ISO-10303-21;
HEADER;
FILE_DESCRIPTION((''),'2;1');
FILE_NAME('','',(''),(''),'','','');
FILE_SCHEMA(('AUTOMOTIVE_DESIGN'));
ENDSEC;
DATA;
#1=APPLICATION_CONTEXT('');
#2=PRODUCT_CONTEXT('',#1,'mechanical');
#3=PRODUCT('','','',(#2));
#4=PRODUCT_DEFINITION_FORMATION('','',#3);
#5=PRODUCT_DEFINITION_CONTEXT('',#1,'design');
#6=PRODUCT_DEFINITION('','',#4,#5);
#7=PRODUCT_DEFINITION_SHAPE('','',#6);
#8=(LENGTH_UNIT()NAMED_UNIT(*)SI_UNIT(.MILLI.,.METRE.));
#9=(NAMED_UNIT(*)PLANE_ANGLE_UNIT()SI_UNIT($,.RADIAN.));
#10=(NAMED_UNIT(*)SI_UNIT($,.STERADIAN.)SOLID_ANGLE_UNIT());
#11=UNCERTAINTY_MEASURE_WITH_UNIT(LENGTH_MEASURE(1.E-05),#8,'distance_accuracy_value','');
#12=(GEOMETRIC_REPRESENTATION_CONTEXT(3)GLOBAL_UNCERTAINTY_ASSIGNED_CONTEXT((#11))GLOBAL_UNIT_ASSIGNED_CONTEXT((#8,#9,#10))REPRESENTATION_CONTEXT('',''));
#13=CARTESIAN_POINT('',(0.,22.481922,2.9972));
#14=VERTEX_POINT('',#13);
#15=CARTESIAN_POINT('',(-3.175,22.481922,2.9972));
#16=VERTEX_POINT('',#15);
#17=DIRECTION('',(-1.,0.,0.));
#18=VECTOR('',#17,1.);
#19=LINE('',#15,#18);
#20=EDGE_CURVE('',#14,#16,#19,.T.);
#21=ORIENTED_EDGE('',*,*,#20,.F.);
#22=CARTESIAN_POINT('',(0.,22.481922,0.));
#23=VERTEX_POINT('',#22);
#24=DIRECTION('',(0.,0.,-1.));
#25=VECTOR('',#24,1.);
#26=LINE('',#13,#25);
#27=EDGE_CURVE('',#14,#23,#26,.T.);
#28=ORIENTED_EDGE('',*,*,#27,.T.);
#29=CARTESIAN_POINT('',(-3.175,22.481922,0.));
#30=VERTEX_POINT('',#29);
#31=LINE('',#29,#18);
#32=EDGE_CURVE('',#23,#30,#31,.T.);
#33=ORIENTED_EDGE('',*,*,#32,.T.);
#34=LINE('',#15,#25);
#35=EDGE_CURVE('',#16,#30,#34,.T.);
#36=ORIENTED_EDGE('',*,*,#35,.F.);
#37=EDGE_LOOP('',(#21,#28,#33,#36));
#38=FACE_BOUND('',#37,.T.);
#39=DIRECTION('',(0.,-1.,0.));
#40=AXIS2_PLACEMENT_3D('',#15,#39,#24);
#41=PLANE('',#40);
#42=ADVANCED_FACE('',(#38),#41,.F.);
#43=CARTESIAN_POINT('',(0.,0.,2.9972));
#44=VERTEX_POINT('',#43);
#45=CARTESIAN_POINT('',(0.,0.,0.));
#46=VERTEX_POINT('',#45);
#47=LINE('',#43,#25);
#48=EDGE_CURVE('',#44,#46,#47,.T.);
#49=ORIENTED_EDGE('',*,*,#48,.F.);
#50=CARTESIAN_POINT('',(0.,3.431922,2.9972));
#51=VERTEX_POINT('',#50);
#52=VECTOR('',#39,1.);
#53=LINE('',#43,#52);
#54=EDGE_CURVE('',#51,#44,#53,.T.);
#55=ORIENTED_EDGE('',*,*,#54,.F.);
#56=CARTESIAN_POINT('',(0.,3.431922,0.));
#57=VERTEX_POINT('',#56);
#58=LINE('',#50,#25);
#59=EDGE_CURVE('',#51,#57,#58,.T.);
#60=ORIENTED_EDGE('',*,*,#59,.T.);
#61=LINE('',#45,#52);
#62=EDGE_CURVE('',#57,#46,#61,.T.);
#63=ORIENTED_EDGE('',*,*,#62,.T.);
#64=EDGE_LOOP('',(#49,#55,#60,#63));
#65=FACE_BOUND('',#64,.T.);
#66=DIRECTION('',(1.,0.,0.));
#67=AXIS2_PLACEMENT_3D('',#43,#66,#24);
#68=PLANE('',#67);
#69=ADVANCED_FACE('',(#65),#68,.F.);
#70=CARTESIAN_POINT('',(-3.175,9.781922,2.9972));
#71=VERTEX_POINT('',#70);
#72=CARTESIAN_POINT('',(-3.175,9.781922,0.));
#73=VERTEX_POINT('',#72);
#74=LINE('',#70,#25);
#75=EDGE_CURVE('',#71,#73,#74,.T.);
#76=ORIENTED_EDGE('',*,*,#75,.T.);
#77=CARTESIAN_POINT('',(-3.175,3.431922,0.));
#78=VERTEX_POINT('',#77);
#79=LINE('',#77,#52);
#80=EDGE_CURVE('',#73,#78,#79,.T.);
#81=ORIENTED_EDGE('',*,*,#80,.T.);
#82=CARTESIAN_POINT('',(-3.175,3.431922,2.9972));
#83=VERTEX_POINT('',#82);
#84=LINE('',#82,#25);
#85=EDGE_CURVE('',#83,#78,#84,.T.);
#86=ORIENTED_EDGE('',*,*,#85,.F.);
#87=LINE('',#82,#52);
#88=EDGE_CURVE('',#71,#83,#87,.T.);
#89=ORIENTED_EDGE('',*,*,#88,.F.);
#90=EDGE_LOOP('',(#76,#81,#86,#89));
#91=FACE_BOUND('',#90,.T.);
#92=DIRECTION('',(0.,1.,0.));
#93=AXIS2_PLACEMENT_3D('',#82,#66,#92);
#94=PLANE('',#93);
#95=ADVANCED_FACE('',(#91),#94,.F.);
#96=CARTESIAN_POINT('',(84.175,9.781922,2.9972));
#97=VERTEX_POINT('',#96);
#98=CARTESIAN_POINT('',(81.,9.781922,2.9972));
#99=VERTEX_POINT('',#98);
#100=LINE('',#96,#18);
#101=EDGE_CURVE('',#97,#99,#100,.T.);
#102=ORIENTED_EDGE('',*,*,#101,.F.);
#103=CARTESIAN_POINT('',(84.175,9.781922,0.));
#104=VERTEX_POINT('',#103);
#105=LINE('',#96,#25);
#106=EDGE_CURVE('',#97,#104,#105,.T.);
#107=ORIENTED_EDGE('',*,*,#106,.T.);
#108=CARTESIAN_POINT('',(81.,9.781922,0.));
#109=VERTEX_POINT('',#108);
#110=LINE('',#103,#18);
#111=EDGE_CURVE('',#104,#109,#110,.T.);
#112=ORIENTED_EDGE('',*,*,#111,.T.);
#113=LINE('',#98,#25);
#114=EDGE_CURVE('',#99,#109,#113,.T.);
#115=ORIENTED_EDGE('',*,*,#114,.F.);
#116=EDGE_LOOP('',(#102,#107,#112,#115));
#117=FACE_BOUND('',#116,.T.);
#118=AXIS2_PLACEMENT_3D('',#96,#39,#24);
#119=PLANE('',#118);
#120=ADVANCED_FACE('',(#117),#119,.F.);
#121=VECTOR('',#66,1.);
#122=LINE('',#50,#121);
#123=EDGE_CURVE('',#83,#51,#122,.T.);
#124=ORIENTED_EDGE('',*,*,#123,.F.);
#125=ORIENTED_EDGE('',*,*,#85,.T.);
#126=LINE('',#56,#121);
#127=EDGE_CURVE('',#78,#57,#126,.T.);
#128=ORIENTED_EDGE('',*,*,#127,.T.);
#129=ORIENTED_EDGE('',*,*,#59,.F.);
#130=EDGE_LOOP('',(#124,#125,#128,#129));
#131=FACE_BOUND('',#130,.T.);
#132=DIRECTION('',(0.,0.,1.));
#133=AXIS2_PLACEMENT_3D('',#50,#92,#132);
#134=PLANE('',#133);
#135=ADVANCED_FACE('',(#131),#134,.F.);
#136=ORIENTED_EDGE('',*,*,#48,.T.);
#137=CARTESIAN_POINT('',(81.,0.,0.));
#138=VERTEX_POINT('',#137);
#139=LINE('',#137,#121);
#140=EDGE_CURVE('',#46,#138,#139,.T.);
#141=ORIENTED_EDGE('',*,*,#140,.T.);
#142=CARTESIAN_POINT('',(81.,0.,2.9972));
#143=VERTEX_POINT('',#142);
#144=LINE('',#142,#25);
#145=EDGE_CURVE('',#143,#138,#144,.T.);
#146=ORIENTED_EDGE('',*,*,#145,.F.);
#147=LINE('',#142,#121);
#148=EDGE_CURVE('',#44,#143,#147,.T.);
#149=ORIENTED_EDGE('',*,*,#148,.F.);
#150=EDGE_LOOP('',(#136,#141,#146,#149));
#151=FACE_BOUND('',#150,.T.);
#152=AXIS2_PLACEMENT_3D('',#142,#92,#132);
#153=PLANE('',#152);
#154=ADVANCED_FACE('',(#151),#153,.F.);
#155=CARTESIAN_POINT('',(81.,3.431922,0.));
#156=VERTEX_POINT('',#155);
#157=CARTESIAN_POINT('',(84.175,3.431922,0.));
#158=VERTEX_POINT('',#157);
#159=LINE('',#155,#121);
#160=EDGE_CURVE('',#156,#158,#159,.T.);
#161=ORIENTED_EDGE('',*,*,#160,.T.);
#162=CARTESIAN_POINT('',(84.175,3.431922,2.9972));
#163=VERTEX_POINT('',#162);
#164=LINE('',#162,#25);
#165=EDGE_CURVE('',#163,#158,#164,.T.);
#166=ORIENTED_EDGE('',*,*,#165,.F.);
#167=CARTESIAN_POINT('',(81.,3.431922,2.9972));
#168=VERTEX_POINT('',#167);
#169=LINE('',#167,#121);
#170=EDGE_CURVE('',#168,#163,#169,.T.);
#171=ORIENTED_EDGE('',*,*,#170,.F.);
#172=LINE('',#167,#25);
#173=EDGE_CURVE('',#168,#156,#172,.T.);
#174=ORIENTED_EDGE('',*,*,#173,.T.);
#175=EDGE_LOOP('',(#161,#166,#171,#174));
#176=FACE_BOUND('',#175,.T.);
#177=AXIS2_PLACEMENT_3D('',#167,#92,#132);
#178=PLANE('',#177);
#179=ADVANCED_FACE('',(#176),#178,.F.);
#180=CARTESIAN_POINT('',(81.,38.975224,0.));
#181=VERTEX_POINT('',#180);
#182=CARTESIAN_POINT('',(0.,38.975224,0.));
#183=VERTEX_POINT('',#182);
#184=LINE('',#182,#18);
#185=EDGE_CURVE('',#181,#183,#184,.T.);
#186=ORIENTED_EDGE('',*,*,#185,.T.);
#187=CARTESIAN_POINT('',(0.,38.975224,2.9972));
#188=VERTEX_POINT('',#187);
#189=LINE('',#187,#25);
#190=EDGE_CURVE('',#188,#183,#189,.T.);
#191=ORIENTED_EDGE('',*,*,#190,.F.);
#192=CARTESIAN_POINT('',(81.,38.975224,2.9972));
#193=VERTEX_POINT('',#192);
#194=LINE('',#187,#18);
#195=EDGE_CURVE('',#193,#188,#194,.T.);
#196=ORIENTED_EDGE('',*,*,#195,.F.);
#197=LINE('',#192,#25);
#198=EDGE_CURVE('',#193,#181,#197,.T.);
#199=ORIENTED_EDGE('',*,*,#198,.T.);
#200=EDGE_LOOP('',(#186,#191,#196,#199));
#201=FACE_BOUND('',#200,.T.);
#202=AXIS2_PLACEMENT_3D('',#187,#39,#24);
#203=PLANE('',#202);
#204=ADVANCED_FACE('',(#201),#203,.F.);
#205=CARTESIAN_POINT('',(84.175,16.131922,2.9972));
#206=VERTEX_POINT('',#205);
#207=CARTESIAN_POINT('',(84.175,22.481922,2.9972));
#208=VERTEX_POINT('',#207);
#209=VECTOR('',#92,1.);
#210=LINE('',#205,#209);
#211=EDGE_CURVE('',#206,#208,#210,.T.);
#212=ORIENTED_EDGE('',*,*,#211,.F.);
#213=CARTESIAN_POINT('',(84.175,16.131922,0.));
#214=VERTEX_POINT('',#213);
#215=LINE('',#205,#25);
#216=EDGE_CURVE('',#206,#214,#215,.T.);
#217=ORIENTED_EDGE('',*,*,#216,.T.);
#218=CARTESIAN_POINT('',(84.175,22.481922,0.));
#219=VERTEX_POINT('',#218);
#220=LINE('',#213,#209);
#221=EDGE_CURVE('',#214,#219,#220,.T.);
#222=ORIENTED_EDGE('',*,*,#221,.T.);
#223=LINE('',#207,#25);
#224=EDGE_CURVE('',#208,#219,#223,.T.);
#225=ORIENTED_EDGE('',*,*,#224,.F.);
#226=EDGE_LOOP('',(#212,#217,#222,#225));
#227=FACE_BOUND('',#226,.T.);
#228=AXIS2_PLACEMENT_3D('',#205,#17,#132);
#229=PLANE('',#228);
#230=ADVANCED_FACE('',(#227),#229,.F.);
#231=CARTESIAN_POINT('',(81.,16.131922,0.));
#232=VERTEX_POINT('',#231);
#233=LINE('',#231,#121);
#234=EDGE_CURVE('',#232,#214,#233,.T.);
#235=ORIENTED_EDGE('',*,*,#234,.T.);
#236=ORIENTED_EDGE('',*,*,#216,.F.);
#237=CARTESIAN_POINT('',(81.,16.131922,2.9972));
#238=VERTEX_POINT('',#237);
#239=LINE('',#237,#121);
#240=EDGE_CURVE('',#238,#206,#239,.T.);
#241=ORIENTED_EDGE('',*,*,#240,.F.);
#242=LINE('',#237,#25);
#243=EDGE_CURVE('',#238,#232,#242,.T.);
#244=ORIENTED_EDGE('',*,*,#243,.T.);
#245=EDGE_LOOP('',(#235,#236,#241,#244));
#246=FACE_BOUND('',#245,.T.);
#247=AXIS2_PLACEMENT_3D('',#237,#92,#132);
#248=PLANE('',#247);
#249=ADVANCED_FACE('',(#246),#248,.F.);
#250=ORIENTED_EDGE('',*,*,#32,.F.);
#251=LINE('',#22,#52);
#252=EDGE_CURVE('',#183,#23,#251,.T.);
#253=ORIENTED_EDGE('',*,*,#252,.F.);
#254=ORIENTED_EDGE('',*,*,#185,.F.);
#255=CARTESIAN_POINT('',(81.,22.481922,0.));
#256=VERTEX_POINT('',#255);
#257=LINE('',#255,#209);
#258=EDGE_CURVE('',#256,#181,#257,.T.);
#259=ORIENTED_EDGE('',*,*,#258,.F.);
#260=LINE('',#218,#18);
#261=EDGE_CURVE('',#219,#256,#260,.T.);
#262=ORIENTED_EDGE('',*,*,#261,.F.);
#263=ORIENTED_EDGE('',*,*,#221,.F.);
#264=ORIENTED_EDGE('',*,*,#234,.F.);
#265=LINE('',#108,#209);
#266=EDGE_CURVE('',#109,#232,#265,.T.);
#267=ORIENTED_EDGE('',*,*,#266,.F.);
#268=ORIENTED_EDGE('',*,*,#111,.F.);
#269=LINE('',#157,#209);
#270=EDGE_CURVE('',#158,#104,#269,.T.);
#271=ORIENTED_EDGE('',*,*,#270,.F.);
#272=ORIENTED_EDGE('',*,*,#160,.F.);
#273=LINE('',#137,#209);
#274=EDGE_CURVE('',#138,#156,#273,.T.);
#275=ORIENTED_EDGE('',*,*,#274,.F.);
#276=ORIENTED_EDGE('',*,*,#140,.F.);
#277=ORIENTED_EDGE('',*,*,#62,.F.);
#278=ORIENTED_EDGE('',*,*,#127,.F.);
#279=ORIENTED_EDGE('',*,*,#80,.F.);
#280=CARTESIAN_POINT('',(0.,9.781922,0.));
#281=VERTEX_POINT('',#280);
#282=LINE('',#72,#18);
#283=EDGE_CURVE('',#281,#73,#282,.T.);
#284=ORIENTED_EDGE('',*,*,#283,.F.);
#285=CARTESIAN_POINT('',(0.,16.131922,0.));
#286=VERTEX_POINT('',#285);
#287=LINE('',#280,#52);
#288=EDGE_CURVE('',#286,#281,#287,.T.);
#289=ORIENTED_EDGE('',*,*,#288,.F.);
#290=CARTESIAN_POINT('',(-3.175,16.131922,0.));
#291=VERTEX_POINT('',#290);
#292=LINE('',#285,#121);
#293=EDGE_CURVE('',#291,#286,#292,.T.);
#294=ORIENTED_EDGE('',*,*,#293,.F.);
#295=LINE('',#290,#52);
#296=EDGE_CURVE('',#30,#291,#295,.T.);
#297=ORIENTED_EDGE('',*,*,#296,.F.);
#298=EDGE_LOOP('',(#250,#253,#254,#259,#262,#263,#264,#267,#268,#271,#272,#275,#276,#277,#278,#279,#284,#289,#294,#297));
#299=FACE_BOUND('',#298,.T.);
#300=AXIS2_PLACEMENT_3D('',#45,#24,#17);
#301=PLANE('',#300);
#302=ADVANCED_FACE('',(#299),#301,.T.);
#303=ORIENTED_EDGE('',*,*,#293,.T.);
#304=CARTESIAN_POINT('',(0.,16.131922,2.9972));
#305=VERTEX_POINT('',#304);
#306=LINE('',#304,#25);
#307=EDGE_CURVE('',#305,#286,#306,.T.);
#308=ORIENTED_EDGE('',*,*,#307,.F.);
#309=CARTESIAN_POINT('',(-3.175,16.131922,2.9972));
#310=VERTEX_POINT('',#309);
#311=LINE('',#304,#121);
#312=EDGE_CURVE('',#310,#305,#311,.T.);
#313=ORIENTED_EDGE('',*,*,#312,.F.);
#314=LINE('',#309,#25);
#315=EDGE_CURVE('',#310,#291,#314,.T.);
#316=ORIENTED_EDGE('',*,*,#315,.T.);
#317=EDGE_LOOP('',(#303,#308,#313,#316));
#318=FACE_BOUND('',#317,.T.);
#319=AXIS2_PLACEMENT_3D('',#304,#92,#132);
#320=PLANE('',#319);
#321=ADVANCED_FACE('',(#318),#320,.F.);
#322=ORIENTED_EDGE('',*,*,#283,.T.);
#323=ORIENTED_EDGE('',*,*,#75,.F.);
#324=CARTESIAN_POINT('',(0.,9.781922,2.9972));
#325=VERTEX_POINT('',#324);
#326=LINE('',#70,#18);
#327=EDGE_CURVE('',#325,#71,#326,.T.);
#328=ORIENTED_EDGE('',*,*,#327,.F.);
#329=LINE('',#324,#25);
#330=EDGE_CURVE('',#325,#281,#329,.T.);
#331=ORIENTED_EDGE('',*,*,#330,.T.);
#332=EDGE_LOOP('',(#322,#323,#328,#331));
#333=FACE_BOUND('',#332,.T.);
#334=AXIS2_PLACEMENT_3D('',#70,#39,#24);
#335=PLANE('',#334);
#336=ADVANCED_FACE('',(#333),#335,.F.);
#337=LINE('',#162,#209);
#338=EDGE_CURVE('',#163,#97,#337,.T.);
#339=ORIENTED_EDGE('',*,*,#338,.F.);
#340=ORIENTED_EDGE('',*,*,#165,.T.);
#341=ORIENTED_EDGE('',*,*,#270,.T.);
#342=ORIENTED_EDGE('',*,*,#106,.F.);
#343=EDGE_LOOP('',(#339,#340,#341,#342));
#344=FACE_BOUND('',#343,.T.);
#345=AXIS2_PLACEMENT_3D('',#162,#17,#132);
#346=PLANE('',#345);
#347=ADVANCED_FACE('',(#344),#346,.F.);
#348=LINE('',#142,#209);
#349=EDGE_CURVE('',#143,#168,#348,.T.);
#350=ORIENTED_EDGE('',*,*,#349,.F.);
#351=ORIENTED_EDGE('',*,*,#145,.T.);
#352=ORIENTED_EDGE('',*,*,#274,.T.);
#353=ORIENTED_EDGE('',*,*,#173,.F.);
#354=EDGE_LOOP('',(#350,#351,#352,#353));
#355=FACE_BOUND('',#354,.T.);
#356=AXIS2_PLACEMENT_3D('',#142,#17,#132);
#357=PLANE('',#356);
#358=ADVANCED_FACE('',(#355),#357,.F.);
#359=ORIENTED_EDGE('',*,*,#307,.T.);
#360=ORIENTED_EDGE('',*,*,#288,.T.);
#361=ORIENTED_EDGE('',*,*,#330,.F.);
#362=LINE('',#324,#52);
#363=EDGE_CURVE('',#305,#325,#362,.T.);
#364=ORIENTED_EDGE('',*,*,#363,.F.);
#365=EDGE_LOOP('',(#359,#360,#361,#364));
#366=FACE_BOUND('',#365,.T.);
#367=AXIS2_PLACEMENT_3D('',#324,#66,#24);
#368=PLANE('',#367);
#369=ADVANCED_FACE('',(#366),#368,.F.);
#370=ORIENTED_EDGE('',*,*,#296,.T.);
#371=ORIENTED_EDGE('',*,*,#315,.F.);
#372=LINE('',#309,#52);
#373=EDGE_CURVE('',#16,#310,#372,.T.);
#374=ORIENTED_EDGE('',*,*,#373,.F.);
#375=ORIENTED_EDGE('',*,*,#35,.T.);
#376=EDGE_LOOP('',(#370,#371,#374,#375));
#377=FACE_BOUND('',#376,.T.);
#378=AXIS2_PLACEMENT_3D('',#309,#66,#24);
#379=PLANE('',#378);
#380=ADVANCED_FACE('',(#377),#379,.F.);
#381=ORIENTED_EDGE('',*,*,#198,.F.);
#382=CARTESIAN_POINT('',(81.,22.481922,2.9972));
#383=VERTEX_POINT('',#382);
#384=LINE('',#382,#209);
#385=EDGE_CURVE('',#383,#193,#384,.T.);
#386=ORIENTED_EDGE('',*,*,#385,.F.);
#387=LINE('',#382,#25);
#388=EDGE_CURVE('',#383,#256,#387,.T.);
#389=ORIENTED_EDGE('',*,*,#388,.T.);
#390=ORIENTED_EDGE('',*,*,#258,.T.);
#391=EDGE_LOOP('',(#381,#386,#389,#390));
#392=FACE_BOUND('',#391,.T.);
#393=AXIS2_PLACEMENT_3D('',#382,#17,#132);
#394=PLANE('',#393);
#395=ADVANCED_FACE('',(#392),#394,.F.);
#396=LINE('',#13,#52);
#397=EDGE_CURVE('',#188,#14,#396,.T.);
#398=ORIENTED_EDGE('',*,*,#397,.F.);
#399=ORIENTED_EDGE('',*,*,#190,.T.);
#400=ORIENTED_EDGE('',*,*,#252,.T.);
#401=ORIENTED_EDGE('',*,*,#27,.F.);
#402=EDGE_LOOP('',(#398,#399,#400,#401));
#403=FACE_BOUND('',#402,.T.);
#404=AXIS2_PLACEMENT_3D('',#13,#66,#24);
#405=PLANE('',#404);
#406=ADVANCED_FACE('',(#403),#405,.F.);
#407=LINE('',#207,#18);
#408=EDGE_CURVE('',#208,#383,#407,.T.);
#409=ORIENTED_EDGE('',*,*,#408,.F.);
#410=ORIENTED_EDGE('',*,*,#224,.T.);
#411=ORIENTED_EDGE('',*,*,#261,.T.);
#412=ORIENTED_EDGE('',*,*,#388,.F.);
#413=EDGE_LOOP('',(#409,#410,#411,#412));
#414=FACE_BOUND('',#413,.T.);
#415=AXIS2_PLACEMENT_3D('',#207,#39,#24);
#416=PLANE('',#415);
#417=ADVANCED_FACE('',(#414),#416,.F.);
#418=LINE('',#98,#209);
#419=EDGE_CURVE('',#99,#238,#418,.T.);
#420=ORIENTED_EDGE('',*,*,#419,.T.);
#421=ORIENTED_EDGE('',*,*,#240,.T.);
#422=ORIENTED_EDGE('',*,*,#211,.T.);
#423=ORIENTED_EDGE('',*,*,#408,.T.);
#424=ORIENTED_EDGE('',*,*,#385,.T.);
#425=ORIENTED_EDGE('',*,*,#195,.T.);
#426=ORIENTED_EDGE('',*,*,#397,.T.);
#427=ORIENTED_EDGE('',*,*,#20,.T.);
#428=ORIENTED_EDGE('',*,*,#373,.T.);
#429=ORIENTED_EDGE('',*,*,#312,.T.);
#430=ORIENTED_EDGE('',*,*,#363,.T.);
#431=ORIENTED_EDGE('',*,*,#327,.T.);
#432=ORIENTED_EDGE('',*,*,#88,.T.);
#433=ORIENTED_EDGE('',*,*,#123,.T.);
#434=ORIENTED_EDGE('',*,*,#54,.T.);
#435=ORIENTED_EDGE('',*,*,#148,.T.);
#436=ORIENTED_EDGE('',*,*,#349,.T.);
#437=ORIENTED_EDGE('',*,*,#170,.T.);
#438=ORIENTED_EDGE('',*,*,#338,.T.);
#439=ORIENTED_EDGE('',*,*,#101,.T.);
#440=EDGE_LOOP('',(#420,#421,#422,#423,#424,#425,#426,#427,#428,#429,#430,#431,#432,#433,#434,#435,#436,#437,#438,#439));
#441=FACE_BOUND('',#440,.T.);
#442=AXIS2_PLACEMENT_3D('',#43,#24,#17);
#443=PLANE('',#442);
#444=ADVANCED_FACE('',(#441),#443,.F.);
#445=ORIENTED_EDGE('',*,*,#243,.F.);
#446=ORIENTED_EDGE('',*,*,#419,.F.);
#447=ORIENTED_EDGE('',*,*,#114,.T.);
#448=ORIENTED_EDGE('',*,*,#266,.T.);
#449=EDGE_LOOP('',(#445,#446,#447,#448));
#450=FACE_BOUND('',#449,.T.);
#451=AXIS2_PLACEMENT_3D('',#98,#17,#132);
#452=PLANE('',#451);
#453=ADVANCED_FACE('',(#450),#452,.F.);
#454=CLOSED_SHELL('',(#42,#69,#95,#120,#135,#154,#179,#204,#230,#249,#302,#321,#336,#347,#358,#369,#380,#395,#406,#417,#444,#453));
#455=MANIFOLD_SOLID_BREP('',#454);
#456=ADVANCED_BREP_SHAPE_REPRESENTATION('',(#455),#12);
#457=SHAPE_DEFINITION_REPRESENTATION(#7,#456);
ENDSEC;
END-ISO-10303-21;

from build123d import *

# Parameters (mm, degrees)
BOSS_EXTRUDE1_DEPTH = 2.9972


with BuildPart() as part:
    # Sketch1 → Boss-Extrude1 (new body)
    with BuildSketch(Plane.XY):
        Polygon((0, 0), (0, 3.431921508), (-3.175, 3.431921508), (-3.175, 9.781921508), (0, 9.781921508), (0, 16.131921508), (-3.175, 16.131921508), (-3.175, 22.481921508), (0, 22.481921508), (0, 38.975223802), (81, 38.975223802), (81, 22.481921508), (84.175, 22.481921508), (84.175, 16.131921508), (81, 16.131921508), (81, 9.781921508), (84.175, 9.781921508), (84.175, 3.431921508), (81, 3.431921508), (81, 0), align=None)
    extrude(amount=BOSS_EXTRUDE1_DEPTH)


solid = part.part
